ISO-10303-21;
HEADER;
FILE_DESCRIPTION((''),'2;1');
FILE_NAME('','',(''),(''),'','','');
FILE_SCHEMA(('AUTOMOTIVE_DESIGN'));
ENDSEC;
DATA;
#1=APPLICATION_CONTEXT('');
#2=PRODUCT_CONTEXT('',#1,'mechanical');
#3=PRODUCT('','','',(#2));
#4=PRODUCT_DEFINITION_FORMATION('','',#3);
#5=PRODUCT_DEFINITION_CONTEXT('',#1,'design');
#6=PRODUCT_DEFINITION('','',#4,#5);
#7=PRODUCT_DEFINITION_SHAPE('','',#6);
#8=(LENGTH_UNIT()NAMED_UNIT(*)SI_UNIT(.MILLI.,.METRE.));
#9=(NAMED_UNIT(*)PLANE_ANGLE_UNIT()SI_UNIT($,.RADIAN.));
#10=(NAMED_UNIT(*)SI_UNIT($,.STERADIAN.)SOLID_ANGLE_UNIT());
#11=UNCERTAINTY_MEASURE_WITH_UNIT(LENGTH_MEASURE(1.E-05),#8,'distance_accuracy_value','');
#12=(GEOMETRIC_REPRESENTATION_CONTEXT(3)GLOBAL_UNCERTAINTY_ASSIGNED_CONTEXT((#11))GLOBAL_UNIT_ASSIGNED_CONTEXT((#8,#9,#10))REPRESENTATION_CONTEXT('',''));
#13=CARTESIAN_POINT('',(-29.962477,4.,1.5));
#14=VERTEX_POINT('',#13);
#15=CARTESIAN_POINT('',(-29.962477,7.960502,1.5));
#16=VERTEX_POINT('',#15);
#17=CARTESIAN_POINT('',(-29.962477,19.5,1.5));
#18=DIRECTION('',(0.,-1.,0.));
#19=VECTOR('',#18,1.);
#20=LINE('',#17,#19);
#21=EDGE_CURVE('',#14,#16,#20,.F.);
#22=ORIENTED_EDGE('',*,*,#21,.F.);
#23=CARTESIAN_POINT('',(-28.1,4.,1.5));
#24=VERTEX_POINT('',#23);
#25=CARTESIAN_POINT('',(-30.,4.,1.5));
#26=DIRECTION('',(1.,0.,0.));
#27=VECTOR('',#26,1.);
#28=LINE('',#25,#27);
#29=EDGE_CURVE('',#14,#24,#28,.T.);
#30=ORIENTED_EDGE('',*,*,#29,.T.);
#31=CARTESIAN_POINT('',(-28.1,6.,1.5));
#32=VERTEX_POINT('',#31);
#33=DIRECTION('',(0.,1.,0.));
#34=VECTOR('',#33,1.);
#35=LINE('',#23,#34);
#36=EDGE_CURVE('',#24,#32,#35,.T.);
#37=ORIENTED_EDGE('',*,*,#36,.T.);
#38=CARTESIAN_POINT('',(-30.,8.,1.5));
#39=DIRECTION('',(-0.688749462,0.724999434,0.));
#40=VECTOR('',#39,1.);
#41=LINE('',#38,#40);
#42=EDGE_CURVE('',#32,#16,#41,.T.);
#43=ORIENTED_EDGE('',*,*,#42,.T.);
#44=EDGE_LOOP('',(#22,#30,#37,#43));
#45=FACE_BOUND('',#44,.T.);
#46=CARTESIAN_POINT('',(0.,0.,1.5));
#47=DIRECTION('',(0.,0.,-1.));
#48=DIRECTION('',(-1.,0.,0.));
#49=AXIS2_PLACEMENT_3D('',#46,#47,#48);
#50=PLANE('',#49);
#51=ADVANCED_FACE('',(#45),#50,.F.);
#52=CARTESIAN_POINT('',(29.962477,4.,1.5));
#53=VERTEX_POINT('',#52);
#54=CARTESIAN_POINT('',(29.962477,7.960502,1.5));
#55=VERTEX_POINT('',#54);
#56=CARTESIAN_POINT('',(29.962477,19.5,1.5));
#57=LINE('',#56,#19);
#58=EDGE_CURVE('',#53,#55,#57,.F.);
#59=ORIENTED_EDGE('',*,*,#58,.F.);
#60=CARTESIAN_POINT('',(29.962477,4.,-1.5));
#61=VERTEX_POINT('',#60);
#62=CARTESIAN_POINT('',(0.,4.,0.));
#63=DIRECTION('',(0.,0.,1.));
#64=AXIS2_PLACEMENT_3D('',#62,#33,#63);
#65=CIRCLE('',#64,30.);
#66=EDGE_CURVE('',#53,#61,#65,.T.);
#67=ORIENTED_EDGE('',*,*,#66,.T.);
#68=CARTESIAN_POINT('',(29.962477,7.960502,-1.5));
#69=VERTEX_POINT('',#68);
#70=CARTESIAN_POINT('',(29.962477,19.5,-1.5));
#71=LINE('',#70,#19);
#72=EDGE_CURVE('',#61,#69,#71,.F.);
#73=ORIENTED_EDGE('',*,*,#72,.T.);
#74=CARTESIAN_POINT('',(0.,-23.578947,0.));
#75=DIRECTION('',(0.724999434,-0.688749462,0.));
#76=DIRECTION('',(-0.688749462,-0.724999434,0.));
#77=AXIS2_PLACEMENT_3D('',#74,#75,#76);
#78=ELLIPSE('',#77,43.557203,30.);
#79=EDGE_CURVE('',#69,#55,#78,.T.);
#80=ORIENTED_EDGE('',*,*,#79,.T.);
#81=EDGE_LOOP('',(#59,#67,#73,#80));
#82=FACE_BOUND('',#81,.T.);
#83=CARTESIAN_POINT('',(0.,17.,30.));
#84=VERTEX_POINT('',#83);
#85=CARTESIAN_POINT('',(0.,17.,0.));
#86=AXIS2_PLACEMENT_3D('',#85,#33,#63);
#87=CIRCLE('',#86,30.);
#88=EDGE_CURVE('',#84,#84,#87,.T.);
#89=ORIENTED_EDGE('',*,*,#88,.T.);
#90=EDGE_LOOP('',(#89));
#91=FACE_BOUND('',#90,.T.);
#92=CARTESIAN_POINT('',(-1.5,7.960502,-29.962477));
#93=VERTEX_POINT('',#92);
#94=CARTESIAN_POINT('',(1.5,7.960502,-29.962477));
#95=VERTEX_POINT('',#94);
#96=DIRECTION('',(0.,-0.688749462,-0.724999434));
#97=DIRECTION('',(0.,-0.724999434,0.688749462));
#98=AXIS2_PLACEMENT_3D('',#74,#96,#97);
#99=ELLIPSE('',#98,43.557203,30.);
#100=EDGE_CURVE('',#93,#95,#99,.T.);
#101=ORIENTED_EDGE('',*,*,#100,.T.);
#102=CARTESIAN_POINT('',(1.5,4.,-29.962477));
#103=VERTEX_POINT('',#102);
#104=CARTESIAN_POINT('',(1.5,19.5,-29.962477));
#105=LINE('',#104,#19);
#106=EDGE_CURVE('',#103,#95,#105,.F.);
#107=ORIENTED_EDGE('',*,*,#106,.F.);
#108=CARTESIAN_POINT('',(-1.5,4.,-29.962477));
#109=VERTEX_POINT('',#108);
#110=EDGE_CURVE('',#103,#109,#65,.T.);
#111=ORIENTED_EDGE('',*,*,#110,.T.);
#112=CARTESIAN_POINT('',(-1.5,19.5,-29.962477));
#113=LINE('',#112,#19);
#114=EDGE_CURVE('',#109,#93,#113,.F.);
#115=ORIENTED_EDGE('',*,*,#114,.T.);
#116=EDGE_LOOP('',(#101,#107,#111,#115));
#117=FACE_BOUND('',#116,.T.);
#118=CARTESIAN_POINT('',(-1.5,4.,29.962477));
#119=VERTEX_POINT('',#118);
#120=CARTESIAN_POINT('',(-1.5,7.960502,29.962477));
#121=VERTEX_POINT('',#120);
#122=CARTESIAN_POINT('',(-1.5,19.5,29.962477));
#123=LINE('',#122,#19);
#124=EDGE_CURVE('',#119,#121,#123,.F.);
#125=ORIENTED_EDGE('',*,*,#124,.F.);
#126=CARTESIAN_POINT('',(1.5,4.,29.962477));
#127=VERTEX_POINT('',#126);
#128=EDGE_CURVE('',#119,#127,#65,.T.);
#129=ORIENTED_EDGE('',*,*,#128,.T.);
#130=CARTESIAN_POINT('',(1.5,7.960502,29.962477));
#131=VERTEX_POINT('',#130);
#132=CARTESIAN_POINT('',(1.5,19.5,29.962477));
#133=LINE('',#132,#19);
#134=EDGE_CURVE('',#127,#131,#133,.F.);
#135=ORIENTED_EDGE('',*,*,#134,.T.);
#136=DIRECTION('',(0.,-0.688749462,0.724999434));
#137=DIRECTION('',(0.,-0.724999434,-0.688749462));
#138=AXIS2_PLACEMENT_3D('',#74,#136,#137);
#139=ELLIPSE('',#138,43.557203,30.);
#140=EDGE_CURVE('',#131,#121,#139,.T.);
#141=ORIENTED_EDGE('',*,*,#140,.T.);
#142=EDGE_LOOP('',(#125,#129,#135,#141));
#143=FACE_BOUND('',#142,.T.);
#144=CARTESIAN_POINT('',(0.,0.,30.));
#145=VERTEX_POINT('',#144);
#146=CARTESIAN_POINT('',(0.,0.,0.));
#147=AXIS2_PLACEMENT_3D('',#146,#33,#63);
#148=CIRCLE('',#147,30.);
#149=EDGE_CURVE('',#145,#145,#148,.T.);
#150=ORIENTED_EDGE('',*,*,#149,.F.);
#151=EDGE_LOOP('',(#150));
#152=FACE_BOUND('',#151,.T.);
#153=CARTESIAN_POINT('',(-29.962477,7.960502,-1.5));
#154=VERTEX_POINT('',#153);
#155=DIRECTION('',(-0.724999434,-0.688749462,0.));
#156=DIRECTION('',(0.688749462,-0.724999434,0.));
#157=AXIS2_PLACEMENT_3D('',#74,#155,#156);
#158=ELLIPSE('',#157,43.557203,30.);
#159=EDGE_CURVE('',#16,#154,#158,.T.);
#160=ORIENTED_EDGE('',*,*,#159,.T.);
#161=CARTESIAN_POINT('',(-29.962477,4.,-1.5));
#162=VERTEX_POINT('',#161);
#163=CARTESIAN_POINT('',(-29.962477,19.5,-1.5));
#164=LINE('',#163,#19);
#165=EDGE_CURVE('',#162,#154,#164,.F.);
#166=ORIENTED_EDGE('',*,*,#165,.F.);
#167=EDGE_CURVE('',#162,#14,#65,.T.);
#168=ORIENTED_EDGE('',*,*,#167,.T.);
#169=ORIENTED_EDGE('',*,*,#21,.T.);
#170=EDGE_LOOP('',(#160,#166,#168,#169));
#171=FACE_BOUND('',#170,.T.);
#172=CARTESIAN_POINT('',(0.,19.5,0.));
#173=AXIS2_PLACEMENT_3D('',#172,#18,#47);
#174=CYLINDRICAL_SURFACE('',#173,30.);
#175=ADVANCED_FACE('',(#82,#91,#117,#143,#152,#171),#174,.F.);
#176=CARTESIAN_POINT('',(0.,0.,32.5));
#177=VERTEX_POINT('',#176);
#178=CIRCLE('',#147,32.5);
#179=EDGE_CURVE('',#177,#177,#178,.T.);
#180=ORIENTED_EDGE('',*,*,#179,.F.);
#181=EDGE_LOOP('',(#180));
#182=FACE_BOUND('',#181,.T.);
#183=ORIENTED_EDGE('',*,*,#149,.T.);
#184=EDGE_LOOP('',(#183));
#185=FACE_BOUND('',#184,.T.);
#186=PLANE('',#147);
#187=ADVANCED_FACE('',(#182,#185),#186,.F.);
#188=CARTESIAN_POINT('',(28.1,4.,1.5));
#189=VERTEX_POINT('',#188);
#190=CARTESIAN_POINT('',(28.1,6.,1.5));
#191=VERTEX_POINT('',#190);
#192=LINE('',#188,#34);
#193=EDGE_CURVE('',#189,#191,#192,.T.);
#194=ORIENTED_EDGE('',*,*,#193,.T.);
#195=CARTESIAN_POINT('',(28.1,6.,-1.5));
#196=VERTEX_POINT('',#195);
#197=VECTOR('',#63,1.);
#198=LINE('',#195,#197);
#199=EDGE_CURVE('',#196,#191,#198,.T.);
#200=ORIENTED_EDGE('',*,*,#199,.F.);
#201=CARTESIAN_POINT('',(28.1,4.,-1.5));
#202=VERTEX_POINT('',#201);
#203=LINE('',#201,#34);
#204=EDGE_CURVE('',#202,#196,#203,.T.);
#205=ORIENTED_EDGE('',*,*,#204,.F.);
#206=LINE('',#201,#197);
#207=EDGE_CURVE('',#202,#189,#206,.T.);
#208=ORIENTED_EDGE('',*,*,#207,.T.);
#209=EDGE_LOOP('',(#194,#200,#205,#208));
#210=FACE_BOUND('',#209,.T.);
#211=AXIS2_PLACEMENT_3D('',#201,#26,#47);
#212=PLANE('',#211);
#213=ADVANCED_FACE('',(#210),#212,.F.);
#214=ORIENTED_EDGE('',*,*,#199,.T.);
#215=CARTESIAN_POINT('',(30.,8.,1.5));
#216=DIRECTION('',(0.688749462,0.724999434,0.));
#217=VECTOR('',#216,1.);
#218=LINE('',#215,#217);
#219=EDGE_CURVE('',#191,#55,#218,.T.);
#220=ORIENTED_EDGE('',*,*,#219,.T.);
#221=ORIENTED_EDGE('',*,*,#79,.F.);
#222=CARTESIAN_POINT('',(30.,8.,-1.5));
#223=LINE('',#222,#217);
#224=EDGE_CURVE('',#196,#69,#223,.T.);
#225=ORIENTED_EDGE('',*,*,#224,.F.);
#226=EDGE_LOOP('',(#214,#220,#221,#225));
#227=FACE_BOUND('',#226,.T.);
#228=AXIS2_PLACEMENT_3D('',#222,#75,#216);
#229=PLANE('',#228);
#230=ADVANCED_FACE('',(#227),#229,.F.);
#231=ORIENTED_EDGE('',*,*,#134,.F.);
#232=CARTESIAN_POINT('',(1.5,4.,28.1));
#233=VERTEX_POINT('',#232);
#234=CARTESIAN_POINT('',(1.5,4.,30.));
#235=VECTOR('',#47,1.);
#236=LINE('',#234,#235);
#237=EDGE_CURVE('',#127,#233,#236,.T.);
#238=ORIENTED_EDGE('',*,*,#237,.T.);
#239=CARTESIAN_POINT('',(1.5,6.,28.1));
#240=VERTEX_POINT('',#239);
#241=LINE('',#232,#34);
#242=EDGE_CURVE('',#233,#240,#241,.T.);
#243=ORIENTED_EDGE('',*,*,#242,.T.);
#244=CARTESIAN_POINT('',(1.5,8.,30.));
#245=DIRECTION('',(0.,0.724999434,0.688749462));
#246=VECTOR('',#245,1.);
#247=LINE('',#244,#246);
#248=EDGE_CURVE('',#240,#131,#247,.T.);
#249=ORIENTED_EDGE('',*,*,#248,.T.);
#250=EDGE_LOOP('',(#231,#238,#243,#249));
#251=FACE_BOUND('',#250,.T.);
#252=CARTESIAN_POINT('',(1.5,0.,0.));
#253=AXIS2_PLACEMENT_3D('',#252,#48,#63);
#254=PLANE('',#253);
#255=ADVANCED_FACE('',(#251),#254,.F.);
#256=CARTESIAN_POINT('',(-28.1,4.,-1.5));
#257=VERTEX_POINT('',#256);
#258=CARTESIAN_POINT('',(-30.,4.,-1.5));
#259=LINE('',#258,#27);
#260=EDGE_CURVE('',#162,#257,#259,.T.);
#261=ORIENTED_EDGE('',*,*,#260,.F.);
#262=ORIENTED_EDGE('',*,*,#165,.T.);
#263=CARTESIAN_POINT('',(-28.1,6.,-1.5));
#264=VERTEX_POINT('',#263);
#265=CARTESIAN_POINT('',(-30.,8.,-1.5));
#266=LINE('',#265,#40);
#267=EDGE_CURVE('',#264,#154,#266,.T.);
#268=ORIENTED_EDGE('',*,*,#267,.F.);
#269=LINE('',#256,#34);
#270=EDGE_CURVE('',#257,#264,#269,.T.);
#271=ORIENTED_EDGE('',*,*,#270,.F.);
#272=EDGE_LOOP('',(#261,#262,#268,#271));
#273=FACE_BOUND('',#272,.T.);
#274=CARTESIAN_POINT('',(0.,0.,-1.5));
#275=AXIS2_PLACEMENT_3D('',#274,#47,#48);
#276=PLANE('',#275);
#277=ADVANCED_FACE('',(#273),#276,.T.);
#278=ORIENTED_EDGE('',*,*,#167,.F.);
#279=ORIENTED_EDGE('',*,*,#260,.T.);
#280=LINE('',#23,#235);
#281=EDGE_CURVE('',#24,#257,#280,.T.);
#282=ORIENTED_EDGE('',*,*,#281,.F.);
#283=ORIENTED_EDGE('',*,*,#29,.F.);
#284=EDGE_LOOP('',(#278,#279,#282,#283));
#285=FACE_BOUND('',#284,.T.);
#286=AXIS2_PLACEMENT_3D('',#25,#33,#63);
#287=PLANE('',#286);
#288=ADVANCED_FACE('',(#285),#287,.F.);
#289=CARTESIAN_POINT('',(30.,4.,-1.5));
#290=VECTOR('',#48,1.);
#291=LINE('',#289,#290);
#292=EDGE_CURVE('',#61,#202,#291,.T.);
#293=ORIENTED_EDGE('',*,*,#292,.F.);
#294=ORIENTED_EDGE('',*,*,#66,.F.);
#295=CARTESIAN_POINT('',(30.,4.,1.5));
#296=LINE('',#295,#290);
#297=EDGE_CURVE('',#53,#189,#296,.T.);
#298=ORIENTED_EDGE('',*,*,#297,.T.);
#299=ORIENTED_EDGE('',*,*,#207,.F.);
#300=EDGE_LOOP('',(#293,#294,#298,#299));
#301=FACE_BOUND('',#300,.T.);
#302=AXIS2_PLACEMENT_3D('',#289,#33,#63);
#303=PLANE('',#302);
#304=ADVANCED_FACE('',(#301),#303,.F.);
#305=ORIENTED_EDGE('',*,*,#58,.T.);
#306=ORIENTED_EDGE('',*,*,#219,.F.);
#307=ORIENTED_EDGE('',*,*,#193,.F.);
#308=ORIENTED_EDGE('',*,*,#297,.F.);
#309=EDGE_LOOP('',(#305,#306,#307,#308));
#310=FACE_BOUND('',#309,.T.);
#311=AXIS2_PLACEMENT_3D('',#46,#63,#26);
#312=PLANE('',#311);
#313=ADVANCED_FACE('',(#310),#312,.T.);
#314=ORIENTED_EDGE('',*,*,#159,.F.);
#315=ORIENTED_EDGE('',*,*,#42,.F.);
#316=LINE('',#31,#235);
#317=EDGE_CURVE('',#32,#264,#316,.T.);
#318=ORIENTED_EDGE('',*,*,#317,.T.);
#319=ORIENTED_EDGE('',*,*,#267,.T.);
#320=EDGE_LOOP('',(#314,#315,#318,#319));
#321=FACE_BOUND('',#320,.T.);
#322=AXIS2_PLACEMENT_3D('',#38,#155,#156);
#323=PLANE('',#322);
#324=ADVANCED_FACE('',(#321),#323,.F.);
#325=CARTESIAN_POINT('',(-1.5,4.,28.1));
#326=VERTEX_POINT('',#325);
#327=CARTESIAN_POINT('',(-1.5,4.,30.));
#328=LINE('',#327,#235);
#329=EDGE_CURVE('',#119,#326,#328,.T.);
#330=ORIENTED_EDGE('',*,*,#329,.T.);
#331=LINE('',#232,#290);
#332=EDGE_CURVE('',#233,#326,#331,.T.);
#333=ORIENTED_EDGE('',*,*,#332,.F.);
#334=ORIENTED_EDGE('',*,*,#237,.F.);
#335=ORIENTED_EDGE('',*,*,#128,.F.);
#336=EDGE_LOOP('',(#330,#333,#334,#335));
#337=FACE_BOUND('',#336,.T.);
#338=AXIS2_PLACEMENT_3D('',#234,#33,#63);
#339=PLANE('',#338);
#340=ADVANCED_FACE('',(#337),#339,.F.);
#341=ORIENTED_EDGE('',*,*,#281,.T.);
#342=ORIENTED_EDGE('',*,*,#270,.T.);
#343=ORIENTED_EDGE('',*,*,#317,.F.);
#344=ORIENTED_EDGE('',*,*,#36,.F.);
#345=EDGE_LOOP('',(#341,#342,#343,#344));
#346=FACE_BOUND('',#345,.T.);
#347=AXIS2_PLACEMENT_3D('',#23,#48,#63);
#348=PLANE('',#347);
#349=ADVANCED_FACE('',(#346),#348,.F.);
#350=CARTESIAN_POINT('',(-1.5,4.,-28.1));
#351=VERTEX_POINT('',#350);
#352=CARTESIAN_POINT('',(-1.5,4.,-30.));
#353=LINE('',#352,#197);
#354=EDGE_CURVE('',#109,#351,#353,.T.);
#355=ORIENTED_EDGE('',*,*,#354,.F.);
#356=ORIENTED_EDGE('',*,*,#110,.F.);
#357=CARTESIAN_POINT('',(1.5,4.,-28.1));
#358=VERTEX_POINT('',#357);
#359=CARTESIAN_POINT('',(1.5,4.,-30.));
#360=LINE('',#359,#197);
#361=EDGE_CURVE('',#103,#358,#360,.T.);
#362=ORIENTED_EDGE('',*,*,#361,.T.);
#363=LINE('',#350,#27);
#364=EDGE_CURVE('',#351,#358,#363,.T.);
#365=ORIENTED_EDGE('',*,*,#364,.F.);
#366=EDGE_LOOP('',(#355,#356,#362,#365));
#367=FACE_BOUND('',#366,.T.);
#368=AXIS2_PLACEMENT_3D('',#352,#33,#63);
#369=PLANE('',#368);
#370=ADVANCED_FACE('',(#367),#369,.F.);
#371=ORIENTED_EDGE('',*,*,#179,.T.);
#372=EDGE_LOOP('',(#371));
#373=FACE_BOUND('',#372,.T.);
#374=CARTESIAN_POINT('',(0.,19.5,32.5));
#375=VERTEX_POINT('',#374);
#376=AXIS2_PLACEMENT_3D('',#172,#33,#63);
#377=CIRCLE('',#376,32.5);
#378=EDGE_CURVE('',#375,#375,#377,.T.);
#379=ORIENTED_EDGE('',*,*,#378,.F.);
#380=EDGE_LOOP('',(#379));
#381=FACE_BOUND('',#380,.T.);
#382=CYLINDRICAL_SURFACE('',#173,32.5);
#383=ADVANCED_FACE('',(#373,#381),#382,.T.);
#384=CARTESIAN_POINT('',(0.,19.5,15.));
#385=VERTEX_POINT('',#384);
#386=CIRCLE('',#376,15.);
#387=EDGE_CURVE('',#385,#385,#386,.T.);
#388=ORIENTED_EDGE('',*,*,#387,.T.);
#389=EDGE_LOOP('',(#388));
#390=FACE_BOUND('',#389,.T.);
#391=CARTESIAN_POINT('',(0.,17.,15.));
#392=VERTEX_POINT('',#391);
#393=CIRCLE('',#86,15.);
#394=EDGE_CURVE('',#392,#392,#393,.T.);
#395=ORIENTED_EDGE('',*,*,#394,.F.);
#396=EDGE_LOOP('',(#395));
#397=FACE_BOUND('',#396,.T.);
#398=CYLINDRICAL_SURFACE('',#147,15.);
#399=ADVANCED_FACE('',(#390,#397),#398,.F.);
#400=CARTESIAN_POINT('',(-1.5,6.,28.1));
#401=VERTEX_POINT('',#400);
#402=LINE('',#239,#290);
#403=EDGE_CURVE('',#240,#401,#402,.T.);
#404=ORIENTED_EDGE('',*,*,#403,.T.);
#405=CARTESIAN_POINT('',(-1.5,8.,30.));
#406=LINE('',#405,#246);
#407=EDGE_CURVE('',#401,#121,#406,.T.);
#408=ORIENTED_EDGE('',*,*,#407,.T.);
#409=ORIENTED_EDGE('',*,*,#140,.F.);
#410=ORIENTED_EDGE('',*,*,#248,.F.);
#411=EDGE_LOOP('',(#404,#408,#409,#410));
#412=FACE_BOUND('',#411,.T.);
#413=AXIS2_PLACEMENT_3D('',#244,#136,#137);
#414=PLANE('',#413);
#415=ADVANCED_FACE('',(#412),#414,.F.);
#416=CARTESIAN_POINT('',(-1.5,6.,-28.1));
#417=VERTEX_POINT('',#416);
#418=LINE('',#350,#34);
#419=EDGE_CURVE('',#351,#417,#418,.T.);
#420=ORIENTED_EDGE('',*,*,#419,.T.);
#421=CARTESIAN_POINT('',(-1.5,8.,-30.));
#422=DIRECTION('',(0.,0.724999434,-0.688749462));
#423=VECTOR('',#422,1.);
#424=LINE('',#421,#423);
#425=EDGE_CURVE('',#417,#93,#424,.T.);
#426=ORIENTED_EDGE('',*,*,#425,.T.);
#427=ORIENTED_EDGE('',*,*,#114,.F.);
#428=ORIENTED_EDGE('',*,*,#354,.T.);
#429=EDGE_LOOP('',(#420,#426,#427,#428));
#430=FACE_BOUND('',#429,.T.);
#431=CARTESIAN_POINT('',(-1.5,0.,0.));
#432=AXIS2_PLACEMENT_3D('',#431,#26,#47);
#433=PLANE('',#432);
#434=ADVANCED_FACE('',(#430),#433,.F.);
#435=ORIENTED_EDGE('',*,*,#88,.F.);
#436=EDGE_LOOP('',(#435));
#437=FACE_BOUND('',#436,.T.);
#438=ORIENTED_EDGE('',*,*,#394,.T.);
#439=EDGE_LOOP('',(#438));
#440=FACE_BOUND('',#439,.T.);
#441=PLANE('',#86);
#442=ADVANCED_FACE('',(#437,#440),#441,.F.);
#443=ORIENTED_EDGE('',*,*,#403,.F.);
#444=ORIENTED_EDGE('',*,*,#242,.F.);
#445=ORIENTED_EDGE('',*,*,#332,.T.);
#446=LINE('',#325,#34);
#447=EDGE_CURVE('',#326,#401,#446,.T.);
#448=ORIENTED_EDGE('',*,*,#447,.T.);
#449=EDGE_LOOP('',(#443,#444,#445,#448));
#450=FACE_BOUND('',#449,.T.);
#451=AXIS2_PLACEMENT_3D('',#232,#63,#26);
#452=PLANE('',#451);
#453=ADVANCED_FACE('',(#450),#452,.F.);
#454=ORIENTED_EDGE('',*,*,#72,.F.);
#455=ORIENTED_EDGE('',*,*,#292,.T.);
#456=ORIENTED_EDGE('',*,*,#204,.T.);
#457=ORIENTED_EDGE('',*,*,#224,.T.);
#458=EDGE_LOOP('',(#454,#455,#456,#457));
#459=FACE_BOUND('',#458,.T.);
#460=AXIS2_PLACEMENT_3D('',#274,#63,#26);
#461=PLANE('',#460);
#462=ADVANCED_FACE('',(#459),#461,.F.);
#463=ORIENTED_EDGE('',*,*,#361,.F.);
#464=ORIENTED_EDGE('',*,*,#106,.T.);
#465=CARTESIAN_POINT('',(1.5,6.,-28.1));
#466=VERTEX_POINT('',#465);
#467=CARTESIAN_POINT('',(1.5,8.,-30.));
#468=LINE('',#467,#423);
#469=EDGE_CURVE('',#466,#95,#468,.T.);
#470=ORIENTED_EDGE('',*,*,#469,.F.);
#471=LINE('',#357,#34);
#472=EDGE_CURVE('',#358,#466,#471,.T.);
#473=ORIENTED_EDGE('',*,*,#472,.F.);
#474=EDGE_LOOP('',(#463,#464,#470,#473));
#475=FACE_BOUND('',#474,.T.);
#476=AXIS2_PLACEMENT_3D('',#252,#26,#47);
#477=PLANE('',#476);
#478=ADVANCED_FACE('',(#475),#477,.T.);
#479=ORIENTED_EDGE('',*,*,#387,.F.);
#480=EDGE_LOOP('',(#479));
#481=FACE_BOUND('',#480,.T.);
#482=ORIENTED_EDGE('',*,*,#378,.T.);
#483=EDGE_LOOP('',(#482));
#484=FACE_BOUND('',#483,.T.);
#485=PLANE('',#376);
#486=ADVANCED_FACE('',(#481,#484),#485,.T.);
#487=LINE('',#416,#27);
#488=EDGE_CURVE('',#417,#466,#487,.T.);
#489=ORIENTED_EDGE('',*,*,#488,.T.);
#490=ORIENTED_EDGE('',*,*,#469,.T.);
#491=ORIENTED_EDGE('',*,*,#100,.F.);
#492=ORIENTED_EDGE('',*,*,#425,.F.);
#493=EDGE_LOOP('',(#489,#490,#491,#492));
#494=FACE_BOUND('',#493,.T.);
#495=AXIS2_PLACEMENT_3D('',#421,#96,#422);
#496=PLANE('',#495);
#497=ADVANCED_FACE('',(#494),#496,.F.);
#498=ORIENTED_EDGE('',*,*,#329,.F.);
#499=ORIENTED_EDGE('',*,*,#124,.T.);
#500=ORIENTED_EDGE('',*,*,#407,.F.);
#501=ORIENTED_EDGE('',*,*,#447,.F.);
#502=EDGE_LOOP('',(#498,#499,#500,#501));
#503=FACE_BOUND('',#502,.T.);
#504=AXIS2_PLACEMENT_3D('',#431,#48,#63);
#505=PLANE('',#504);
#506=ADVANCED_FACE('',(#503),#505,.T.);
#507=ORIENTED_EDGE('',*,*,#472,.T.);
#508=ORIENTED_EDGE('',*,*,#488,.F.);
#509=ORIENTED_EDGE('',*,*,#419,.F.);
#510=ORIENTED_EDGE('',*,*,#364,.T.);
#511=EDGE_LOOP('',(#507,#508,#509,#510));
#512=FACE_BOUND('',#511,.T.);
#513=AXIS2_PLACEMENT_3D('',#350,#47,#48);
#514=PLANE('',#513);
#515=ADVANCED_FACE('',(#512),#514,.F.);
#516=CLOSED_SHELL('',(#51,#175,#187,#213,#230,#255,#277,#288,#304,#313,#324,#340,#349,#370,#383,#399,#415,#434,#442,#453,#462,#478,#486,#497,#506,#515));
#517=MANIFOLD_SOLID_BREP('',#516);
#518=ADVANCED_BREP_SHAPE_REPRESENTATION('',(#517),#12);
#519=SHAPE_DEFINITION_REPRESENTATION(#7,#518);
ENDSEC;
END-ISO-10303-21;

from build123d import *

# Parameters (mm, degrees)
CROQUIS1_R              = 32.5
SALIENTE_EXTRUIR1_DEPTH = 19.5
VACIADO1_T              = -2.5
CROQUIS2_R              = 15
CORTAR_EXTRUIR1_DEPTH   = 19.5
SALIENTE_EXTRUIR2_DEPTH = 1.5
MATRIZC2_COUNT          = 4


with BuildPart() as part:
    # Croquis1 → Saliente-Extruir1 (new body)
    with BuildSketch(Plane(origin=(0, 0, 0), x_dir=(1, 0, 0), z_dir=(0, 1, 0))):
        with Locations(Location((0, 0, 0), (0, 0, 270))):
            Circle(CROQUIS1_R)
    extrude(amount=SALIENTE_EXTRUIR1_DEPTH)

    # Vaciado1
    vaciado1_openings = [part.faces().sort_by_distance(p)[0] for p in [
        (0, 0, 0),
    ]]
    offset(amount=VACIADO1_T, openings=vaciado1_openings, kind=Kind.INTERSECTION)

    # Croquis2 → Cortar-Extruir1 (cut)
    with BuildSketch(Plane(origin=(0, 19.5, 0), x_dir=(1, 0, 0), z_dir=(0, 1, 0))):
        with Locations(Location((0, 0, 0), (0, 0, 270))):
            Circle(CROQUIS2_R)
    extrude(amount=-CORTAR_EXTRUIR1_DEPTH, mode=Mode.SUBTRACT)

    # Croquis3 → Saliente-Extruir2 (add, symmetric)
    with BuildSketch(Plane(origin=(0, 0, 0), x_dir=(0, 0, -1), z_dir=(1, 0, 0))):
        Polygon((-30, 4), (-28.1, 4), (-28.1, 6), (-30, 8), align=None)
    saliente_extruir2 = extrude(amount=SALIENTE_EXTRUIR2_DEPTH, both=True)

    # MatrizC2: Saliente-Extruir2 ×4 about axis
    matrizc2_axis = Axis((0, 0, 0), (0, 1, 0))
    for i in range(1, MATRIZC2_COUNT):
        add(saliente_extruir2.rotate(matrizc2_axis, i * 360 / MATRIZC2_COUNT))


solid = part.part
